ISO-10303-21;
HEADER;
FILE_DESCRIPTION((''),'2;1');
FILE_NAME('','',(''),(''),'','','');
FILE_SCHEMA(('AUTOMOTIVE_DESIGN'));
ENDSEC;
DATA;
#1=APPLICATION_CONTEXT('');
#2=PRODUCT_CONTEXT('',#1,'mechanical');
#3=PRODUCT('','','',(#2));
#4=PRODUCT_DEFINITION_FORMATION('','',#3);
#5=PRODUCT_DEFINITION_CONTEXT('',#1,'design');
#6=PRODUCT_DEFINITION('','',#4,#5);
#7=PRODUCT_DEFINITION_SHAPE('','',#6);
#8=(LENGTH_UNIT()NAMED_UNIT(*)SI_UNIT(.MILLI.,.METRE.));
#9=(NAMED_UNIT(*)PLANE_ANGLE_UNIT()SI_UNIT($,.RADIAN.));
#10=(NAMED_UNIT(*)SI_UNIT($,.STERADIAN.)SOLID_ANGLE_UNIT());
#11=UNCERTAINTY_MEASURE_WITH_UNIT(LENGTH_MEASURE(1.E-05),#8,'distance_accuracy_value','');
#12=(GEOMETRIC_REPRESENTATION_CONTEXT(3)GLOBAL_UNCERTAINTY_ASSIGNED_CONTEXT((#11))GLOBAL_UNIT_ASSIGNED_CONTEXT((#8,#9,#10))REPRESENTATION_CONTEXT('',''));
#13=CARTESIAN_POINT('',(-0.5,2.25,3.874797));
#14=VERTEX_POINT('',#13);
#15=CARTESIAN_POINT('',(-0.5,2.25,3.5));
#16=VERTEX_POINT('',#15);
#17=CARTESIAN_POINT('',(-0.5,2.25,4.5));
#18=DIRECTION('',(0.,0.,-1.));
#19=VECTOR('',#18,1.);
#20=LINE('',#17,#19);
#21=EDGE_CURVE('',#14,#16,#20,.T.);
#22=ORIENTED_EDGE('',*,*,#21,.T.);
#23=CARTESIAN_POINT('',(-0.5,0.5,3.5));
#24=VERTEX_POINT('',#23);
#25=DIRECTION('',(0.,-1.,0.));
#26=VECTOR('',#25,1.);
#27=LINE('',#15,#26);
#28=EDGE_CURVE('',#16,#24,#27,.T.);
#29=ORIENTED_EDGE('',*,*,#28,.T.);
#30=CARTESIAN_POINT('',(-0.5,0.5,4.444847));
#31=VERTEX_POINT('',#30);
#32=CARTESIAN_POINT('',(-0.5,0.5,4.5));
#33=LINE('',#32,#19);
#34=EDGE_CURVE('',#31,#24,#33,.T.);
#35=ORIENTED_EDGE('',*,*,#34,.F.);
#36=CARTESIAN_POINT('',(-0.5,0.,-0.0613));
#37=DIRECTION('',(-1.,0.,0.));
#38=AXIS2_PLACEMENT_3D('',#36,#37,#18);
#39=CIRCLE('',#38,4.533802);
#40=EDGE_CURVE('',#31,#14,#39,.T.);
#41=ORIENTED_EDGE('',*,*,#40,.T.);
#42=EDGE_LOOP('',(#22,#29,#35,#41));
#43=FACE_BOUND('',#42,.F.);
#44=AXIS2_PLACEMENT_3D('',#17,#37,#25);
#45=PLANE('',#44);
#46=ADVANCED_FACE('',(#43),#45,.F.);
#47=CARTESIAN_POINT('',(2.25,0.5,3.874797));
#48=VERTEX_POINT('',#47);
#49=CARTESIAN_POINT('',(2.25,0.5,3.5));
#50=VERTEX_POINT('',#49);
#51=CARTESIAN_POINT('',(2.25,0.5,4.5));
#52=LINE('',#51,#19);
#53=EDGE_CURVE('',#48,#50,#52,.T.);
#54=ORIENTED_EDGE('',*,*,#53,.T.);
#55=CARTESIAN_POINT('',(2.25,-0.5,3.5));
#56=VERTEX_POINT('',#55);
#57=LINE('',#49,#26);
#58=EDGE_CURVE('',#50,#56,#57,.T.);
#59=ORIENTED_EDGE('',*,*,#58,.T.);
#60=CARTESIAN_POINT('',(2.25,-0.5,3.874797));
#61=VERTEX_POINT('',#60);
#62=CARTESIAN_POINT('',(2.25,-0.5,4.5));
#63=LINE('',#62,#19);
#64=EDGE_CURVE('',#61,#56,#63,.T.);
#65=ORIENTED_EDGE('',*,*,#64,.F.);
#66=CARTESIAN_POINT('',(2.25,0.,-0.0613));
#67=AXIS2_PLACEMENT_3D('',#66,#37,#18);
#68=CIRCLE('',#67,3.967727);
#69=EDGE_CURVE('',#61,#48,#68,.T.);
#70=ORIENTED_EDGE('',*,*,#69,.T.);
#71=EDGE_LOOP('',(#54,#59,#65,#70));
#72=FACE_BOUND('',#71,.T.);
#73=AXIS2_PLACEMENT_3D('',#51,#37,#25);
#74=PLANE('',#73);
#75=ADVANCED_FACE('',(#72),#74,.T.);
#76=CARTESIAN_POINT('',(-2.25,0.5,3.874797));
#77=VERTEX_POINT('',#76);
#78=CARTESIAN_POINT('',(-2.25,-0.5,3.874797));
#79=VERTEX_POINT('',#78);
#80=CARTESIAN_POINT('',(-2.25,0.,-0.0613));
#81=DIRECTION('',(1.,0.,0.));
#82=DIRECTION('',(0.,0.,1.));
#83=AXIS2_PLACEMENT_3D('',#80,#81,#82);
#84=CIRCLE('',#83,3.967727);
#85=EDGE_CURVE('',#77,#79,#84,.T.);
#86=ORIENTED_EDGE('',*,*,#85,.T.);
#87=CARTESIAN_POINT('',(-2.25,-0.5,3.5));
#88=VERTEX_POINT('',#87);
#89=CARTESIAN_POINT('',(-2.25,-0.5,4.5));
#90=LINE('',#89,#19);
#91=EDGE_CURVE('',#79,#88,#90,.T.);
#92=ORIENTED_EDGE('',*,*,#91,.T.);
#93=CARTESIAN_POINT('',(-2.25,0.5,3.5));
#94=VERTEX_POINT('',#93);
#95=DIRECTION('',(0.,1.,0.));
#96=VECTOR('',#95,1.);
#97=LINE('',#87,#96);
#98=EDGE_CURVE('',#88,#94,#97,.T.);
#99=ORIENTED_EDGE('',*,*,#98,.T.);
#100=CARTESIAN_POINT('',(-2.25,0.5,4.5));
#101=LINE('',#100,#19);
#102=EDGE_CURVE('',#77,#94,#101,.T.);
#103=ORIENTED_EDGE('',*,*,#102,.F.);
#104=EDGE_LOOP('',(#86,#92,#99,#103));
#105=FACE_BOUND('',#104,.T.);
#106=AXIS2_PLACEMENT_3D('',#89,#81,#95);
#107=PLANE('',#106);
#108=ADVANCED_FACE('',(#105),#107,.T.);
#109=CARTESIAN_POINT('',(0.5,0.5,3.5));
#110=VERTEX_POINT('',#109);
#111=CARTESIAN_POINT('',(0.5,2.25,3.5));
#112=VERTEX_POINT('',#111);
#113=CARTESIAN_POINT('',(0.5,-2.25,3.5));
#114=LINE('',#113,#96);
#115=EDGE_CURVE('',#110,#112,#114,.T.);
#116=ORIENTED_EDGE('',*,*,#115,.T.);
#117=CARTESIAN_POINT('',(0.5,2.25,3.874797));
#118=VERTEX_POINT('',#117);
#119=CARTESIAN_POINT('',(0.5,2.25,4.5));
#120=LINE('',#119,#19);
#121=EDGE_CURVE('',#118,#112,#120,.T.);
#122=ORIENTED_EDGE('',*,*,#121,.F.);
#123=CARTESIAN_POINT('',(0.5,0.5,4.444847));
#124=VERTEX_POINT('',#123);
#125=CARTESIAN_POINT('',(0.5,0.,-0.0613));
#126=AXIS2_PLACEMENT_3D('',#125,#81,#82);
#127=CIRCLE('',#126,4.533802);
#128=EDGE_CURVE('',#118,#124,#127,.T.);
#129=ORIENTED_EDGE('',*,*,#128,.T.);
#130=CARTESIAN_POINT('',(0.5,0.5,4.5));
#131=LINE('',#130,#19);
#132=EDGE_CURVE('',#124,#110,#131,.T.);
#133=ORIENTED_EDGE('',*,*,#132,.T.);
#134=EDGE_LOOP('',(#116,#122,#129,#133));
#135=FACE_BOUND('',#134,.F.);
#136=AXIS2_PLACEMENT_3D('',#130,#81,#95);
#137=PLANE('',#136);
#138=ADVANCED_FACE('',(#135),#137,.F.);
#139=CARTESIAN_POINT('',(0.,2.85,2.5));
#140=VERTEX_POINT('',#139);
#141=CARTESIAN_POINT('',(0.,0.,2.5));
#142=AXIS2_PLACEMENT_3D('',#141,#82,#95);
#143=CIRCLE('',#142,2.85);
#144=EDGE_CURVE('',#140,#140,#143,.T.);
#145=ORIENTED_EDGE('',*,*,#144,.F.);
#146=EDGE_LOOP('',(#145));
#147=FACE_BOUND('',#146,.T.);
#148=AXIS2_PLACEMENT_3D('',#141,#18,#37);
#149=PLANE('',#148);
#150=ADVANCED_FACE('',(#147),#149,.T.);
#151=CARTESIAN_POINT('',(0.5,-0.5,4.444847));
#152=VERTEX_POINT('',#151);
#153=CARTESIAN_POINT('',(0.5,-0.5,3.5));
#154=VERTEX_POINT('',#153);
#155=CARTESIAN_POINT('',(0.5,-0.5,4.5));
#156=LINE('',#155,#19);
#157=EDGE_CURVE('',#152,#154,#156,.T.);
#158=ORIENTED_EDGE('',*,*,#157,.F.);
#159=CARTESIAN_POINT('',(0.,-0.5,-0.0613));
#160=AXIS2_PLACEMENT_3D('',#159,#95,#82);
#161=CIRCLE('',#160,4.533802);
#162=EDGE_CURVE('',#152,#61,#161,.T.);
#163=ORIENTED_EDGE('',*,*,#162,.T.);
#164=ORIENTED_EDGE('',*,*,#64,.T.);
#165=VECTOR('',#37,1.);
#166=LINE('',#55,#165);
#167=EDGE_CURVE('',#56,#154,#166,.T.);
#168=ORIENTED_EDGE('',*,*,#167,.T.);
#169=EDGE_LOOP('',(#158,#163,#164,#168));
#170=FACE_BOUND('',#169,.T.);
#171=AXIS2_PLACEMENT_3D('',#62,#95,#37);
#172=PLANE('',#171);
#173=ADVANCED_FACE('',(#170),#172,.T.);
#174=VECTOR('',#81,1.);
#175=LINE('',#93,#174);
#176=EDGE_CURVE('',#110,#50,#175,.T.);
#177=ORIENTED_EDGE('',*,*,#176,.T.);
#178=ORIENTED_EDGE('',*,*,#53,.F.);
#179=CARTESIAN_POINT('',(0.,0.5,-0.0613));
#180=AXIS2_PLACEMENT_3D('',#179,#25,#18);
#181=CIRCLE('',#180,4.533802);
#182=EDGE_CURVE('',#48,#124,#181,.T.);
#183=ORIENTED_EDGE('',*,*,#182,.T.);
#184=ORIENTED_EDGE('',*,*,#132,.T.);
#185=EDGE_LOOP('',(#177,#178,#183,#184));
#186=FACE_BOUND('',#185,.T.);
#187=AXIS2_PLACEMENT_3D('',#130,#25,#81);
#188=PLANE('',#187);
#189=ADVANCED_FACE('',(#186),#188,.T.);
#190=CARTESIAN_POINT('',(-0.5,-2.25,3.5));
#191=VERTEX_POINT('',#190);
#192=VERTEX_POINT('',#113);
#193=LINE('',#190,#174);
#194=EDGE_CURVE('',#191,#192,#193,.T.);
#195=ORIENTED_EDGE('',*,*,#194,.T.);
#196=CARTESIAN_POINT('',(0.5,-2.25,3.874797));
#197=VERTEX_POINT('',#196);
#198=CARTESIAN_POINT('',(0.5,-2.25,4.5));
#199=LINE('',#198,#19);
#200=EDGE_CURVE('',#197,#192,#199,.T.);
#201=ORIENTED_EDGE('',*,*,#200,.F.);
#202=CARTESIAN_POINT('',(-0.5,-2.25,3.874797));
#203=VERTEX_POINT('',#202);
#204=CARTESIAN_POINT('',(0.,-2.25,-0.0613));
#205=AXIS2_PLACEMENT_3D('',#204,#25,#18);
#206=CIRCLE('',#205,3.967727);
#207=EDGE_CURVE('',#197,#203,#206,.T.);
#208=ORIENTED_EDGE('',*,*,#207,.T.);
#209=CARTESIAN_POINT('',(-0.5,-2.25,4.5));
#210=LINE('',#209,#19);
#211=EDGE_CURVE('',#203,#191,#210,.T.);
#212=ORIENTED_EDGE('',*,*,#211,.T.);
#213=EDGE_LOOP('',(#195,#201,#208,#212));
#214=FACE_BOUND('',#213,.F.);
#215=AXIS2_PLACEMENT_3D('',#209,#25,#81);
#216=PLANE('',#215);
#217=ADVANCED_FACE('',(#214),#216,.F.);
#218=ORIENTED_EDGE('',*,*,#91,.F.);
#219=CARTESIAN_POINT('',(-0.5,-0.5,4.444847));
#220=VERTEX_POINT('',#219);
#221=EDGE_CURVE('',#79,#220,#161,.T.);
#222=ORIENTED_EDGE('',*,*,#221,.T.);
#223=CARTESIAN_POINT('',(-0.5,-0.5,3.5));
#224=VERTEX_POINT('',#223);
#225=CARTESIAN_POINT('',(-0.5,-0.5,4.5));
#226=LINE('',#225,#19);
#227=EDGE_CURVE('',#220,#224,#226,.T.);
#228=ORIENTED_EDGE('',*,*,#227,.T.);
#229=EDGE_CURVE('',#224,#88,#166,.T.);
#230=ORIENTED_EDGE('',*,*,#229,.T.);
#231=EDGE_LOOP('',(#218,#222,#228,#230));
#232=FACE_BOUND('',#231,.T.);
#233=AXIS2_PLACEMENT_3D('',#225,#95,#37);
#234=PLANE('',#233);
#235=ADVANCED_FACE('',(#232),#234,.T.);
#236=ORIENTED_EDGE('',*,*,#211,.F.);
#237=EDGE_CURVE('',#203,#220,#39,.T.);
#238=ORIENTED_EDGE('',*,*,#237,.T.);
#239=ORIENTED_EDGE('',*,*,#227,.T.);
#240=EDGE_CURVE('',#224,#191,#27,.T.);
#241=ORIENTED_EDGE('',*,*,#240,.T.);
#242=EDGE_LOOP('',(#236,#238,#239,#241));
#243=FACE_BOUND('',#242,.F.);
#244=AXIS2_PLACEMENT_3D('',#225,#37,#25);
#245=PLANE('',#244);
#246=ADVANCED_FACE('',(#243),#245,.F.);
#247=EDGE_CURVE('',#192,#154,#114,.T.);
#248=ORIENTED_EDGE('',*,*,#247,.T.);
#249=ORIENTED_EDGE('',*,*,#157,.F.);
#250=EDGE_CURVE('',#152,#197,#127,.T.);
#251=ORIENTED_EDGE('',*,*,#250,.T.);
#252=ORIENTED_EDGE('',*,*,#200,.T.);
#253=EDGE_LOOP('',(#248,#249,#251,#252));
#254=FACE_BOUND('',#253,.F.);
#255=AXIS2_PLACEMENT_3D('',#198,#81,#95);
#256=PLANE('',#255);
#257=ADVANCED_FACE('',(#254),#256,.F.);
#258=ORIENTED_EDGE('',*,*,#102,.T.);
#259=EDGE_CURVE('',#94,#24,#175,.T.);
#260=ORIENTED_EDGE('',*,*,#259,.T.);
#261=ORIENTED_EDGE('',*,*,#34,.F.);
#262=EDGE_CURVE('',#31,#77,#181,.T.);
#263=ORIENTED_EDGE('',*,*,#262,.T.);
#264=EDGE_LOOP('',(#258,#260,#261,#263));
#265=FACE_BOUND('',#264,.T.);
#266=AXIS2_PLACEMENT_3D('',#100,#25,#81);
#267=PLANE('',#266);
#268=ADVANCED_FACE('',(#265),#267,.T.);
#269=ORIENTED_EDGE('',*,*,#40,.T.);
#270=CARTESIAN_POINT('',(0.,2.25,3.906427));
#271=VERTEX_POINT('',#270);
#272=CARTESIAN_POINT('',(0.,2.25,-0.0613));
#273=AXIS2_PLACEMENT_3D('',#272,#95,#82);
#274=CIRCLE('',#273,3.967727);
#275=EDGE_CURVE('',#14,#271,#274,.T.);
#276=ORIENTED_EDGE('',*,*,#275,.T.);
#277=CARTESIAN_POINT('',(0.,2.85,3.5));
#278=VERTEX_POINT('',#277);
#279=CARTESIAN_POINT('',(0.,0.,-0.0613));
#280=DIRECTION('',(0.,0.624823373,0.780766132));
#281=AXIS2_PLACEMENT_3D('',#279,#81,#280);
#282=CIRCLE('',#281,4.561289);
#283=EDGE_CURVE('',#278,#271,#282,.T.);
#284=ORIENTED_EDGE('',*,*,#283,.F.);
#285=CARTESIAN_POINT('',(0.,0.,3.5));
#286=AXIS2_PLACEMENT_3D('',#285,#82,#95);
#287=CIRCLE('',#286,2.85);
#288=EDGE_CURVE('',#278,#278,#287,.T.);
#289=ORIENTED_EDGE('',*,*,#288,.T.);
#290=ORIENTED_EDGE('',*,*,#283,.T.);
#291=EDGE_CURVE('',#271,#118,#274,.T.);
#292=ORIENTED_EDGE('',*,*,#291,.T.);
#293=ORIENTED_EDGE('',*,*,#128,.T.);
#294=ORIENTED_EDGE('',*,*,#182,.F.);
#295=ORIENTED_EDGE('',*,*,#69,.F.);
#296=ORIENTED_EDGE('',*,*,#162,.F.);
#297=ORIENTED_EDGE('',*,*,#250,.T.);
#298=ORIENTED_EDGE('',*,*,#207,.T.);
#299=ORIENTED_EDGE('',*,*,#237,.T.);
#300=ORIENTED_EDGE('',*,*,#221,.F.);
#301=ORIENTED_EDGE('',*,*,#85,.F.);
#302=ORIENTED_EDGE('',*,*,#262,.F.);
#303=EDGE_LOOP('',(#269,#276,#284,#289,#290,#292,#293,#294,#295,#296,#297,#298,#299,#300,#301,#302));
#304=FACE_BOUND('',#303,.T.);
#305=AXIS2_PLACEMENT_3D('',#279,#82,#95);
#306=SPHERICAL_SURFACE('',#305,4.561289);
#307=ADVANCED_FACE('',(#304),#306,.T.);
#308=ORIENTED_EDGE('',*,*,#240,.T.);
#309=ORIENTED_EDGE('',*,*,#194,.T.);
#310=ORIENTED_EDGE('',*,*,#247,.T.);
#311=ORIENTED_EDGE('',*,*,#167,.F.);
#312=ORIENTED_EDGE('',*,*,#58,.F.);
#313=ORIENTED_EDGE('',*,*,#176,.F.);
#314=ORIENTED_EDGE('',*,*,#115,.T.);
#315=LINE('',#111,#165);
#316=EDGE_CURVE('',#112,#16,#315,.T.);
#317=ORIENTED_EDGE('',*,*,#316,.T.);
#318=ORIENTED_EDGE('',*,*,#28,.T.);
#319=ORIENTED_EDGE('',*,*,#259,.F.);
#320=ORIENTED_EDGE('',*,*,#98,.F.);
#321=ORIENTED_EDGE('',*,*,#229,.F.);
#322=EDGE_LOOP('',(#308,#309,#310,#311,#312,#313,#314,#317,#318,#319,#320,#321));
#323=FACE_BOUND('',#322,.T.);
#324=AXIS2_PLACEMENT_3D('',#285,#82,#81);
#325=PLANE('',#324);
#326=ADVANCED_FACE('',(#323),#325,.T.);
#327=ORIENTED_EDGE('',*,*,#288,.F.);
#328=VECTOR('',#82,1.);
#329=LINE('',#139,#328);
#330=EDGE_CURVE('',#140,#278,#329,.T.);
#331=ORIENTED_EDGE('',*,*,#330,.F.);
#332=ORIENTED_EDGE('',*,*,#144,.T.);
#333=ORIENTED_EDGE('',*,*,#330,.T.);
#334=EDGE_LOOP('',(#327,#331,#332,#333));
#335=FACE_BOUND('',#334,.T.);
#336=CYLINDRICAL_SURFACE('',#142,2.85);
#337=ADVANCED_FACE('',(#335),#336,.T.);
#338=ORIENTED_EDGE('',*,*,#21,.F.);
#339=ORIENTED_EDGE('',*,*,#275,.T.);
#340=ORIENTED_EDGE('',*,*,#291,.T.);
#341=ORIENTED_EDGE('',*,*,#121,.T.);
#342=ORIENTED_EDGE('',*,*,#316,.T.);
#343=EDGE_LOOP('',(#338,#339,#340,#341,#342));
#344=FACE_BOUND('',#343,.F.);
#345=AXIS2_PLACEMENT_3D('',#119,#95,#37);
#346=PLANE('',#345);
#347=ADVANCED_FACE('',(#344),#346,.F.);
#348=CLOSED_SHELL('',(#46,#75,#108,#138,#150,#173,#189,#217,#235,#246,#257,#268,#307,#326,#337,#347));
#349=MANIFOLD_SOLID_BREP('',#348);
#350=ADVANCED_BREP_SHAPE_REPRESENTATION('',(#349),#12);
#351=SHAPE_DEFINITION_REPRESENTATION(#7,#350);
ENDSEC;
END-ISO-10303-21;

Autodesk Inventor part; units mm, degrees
ref_plane "YZ Plane" through (0, 0, 0) normal (1, 0, 0) x (0, 1, 0)
ref_plane "XZ Plane" through (0, 0, 0) normal (0, 1, 0) x (-1, 0, 0)
sketch "スケッチ1" plane through (0, 0, 0) normal (0, 0, 1) x (1, 0, 0)
  circle A0 centre (0, 0) radius 1.6
  circle A1 centre (0, 0) radius 3
  dimension "d0" = 3.2
  dimension "d1" = 6
extrude "押し出し1" add sketch "スケッチ1" along normal blind 2.5
sketch "スケッチ2" plane through (0, 0, 0) normal (1, 0, 0) x (0, 1, 0)
  arc A0 (2.85, 3.5) -> (-2.85, 3.5) centre (0, -0.0613) ccw
  line L0 (2.85, 3.5) -> (-2.85, 3.5)
  line L1 (-2.85, 3.5) -> (-2.85, 2.5)
  line L2 (-2.85, 2.5) -> (2.85, 2.5)
  line L3 (2.85, 2.5) -> (2.85, 3.5)
  line L4 (3, 2.5) -> (-3, 2.5) projected
  line L5 (10, 4.5) -> (-10, 4.5)
  line L6 (0, 2.5) -> (0, 4.5)
  point P0 (0, 0)
  point P1 (0, 4.5)
  dimension "d4" = 1
  dimension "d5" = 1
  dimension "d7" = 5.7
revolve "回転1" add sketch "スケッチ2" angle 360 about axis through (0, 0, 2.5) along (0, 0, 1) picked at (1.6112, 3.682) contours L0 L6 A0 | L3 L2 L6 L0
ref_plane "作業平面1" through (0, 0, 4.5) normal (0, 0, 1) x (1, 0, 0)
sketch "スケッチ3" plane through (0, 0, 4.5) normal (0, 0, 1) x (1, 0, 0)
  line L0 (2.25, -0.5) -> (-2.25, -0.5)
  line L1 (-2.25, -0.5) -> (-2.25, 0.5)
  line L2 (-2.25, 0.5) -> (2.25, 0.5)
  line L3 (2.25, 0.5) -> (2.25, -0.5)
  line L4 (2.25, -0.5) -> (-2.25, 0.5) construction
  line L5 (-2.25, -0.5) -> (2.25, 0.5) construction
  line L6 (-0.5, -2.25) -> (0.5, -2.25)
  line L7 (0.5, -2.25) -> (0.5, 2.25)
  line L8 (0.5, 2.25) -> (-0.5, 2.25)
  line L9 (-0.5, 2.25) -> (-0.5, -2.25)
  line L10 (-0.5, -2.25) -> (0.5, 2.25) construction
  line L11 (0.5, -2.25) -> (-0.5, 2.25) construction
  point P0 (0, 0)
  point P1 (-0.5, 0.5)
  point P2 (-0.5, -0.5)
  point P3 (0.5, -0.5)
  point P4 (0.5, 0.5)
  dimension "d9" = 4.5
  dimension "d10" = 1
extrude "押し出し2" cut sketch "スケッチ3" against normal blind 1
sketch "スケッチ4" plane through (0, 0, 0) normal (0, 0, -1) x (-1, 0, 0)
  circle A0 centre (0, 0) radius 3 projected
extrude "押し出し3" cut sketch "スケッチ4" against normal up to surface (2.5 mm away)
properties part number "screw_M3" material "アルミニウム 6061"
